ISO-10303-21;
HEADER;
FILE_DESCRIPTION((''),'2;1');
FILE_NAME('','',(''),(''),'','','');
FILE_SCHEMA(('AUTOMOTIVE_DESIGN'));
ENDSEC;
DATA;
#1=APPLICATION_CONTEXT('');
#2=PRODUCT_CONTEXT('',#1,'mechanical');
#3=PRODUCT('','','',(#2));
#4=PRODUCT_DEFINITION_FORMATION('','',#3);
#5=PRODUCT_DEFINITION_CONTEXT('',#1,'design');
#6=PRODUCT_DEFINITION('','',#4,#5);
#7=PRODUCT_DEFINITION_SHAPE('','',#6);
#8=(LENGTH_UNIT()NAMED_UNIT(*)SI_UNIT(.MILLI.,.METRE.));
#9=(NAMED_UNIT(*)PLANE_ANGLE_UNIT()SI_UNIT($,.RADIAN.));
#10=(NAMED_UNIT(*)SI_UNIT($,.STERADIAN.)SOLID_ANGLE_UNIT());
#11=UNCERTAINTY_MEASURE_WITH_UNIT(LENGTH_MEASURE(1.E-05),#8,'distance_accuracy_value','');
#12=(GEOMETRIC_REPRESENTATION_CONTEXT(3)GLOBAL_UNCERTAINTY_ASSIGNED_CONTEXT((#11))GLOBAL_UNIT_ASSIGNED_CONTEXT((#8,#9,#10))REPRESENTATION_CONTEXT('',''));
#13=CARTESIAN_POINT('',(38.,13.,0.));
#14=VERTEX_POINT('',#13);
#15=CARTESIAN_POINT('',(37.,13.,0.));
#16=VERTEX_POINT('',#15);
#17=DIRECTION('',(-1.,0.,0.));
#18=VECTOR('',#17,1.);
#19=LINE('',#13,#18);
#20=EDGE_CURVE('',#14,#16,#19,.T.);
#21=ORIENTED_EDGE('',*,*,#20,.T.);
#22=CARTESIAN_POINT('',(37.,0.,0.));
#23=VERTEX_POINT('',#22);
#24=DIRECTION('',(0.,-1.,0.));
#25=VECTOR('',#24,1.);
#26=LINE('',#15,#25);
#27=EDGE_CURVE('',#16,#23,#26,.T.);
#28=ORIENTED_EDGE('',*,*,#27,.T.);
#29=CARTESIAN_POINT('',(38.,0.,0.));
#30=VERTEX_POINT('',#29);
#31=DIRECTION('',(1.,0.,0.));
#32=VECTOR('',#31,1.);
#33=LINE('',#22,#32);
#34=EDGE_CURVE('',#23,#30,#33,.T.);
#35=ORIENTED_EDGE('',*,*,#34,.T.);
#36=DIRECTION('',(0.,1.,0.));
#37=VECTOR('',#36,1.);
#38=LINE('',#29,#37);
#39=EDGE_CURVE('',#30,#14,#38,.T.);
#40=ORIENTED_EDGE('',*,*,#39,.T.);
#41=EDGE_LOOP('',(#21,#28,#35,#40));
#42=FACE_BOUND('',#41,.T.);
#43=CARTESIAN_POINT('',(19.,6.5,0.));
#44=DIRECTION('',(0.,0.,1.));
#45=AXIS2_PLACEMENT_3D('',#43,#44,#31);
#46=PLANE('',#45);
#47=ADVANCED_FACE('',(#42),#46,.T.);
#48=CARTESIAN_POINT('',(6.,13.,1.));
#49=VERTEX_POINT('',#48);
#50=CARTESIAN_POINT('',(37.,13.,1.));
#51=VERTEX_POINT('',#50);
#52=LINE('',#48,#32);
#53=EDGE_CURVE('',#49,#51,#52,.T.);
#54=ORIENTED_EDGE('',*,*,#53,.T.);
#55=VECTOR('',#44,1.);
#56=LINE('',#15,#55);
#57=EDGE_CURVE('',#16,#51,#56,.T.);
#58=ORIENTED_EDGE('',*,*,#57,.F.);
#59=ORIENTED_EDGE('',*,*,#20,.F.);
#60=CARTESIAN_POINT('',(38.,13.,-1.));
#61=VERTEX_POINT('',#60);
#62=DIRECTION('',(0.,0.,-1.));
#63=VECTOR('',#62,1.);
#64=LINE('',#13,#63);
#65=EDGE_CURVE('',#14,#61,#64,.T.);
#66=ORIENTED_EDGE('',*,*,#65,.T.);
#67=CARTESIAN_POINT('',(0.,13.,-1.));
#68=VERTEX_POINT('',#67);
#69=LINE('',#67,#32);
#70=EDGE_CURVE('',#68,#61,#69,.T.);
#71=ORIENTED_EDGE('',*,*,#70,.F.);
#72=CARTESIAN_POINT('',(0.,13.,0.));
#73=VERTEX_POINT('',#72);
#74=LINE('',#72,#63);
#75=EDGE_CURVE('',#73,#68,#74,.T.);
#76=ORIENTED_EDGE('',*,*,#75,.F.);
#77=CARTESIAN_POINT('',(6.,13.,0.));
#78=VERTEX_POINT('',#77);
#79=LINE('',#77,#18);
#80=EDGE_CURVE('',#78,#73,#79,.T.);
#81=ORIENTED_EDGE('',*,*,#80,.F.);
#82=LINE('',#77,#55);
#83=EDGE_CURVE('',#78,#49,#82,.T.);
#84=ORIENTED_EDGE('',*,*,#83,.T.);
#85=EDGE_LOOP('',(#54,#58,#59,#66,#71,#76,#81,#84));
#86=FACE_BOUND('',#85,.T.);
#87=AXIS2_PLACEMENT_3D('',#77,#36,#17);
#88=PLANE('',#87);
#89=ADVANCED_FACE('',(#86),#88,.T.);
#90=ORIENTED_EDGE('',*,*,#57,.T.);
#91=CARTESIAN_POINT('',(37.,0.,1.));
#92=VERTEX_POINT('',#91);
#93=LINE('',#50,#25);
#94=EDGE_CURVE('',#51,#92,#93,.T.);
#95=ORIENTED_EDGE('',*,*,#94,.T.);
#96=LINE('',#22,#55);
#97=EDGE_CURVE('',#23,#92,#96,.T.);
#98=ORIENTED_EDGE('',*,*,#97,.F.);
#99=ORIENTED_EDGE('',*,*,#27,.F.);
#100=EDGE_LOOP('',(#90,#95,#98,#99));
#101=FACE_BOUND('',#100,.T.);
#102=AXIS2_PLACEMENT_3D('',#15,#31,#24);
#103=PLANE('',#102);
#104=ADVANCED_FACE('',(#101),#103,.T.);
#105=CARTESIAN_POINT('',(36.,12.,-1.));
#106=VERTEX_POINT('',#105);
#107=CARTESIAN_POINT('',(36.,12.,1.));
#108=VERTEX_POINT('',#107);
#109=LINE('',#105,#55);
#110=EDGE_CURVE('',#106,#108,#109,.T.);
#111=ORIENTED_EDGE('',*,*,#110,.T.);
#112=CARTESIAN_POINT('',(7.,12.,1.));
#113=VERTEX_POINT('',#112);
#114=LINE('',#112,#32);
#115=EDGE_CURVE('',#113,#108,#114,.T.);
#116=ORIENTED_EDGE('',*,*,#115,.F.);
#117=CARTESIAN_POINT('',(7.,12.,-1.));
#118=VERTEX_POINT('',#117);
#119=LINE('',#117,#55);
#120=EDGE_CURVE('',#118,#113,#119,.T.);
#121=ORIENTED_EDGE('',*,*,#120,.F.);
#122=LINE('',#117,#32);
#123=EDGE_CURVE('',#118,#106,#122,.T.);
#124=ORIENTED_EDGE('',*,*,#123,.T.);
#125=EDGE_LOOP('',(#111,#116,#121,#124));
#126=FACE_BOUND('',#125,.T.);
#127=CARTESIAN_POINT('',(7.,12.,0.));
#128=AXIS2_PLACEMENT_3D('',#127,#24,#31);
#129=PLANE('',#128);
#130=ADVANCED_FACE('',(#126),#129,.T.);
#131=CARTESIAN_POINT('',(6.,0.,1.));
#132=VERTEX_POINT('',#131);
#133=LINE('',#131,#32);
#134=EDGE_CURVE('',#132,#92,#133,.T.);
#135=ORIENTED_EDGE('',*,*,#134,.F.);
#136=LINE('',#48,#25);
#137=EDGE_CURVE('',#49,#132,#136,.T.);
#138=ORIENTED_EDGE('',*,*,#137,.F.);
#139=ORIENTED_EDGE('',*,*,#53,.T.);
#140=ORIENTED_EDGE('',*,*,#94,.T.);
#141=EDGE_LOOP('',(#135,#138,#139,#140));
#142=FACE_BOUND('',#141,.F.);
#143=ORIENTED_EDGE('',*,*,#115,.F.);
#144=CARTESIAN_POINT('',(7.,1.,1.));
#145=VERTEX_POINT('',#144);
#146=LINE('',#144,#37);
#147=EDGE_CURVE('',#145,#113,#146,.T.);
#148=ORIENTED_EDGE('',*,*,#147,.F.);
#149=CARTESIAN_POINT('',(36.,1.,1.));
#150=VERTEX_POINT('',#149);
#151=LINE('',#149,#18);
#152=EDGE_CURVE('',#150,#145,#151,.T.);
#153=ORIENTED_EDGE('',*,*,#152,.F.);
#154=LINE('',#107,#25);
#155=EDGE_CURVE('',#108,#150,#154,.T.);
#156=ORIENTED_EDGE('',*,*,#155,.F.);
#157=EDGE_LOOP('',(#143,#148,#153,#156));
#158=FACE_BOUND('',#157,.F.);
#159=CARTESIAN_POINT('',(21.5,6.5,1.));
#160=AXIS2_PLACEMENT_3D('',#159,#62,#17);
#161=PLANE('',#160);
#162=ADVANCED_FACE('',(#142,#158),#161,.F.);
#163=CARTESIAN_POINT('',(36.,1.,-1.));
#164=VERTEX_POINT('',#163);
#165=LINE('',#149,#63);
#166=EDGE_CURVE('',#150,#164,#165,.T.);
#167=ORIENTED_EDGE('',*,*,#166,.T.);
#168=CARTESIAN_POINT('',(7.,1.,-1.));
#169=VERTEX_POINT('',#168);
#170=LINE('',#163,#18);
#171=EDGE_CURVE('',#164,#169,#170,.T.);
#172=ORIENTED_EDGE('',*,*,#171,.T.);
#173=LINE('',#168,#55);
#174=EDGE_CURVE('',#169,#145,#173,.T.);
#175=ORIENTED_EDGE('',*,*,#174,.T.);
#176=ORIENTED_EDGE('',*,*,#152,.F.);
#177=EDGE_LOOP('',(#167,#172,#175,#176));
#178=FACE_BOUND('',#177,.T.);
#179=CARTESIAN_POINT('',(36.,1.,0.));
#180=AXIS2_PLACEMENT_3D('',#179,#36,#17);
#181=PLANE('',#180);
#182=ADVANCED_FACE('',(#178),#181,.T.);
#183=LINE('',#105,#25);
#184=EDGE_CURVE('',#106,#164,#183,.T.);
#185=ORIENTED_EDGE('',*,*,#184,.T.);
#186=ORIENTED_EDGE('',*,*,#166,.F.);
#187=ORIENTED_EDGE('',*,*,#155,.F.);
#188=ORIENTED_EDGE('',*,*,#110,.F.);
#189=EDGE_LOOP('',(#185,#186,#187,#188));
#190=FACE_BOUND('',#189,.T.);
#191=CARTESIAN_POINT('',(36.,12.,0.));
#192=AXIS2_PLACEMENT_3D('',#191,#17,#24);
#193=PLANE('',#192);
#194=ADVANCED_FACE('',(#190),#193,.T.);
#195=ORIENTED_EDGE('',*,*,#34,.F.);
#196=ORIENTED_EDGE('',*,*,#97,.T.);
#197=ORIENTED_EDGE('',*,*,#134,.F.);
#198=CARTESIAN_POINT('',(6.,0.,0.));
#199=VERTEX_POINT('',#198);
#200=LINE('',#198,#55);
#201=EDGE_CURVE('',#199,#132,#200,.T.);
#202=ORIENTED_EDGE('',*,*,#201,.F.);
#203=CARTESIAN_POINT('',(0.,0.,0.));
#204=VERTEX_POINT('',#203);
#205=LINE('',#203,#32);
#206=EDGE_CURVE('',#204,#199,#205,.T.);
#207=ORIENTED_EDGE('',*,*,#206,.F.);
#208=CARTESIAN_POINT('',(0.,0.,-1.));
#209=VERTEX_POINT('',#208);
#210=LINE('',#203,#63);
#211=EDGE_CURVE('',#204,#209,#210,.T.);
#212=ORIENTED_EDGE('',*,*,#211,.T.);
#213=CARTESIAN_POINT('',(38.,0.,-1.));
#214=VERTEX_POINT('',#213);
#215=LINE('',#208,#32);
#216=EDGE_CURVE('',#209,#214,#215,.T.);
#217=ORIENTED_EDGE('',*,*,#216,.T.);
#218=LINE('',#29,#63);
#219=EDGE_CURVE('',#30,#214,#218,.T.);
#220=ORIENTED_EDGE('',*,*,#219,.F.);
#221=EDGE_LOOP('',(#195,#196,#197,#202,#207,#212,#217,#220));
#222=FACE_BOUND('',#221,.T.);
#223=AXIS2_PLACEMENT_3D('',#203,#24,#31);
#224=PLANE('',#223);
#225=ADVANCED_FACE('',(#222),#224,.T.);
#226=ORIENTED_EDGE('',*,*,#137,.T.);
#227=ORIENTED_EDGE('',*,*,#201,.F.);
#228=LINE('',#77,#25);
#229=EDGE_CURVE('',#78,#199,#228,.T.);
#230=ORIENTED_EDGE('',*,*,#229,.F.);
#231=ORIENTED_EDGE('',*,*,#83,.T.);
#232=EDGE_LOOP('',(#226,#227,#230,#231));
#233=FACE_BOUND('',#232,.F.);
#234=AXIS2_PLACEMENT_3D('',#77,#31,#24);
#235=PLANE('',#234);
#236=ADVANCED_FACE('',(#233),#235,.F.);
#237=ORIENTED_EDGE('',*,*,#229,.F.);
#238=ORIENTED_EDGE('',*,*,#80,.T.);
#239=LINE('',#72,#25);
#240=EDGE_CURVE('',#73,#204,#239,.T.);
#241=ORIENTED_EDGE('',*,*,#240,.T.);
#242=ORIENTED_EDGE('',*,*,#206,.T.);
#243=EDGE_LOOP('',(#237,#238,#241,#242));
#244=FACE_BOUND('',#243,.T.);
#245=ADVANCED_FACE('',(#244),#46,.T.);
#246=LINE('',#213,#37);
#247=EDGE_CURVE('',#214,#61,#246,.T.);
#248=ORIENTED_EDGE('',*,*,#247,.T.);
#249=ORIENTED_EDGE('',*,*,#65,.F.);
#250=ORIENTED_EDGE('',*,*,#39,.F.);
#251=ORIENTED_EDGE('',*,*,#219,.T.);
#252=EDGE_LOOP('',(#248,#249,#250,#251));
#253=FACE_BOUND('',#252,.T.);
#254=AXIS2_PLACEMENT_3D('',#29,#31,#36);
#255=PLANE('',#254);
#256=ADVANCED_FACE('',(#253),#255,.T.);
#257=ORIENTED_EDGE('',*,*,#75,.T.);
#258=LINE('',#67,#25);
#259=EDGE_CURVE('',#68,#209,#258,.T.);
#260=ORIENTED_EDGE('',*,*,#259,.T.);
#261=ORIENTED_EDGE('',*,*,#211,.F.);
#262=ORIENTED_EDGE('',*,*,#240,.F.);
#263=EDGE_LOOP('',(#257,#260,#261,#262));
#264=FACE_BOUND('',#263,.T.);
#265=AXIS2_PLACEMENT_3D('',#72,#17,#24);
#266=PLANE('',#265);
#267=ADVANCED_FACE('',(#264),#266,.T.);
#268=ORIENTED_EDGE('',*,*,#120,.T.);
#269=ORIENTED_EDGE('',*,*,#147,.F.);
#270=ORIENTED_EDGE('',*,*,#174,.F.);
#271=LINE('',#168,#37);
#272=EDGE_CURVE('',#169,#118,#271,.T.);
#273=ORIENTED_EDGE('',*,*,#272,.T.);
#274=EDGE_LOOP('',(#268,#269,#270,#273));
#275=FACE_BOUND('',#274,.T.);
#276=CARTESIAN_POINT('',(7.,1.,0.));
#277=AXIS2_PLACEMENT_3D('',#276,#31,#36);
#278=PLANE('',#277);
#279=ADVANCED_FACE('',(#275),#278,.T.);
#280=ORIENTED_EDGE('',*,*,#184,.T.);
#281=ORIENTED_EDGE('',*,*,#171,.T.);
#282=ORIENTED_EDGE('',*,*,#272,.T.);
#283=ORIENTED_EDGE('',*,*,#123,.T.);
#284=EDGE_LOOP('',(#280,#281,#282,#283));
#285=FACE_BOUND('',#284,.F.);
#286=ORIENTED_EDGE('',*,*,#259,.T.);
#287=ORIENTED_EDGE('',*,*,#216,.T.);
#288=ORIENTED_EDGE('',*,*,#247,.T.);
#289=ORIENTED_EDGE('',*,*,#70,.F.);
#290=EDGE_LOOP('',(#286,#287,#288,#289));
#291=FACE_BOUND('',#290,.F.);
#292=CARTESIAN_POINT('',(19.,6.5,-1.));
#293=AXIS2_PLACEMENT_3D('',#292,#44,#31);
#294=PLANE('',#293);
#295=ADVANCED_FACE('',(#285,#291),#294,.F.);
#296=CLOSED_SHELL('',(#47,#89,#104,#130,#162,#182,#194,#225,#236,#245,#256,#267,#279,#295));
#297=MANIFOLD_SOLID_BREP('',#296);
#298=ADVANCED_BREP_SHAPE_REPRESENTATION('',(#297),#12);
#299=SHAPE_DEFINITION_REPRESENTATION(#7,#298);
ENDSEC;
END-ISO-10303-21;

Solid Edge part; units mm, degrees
sketch "Sketch1" plane through (0, 0, 0) normal (0, 0, 1) x (1, 0, 0)
  line L0 (0, 0) -> (6, 0)
  line L1 (6, 0) -> (37, 0)
  line L2 (37, 0) -> (38, 0)
  line L3 (38, 0) -> (38, 13)
  line L4 (38, 13) -> (37, 13)
  line L5 (6, 13) -> (37, 13)
  line L6 (6, 13) -> (0, 13)
  line L7 (0, 13) -> (0, 0)
  line L8 (36, 1) -> (7, 1)
  line L9 (7, 1) -> (7, 12)
  line L10 (7, 12) -> (36, 12)
  line L11 (36, 12) -> (36, 1)
  dimension "D1" = 13
  dimension "D2" = 6
  dimension "D3" = 31
  dimension "D4" = 1
  dimension "D5" = 1
  dimension "D6" = 1
extrude "Protrusion1" add sketch "Sketch1" against normal blind 1
sketch "Sketch2" plane through (0, 0, 0) normal (0, 0, 1) x (1, 0, 0)
  line L0 (37, 13) -> (37, 0)
  line L1 (6, 0) -> (37, 0)
  line L2 (6, 13) -> (6, 0)
  line L3 (6, 13) -> (37, 13)
  line L4 (36, 12) -> (36, 1)
  line L5 (36, 1) -> (7, 1)
  line L6 (7, 1) -> (7, 12)
  line L7 (7, 12) -> (36, 12)
  dimension "D1" = 13
  dimension "D2" = 6
  dimension "D3" = 31
  dimension "D4" = 1
  dimension "D5" = 1
  dimension "D6" = 1
extrude "Protrusion2" add sketch "Sketch2" along normal blind 1
